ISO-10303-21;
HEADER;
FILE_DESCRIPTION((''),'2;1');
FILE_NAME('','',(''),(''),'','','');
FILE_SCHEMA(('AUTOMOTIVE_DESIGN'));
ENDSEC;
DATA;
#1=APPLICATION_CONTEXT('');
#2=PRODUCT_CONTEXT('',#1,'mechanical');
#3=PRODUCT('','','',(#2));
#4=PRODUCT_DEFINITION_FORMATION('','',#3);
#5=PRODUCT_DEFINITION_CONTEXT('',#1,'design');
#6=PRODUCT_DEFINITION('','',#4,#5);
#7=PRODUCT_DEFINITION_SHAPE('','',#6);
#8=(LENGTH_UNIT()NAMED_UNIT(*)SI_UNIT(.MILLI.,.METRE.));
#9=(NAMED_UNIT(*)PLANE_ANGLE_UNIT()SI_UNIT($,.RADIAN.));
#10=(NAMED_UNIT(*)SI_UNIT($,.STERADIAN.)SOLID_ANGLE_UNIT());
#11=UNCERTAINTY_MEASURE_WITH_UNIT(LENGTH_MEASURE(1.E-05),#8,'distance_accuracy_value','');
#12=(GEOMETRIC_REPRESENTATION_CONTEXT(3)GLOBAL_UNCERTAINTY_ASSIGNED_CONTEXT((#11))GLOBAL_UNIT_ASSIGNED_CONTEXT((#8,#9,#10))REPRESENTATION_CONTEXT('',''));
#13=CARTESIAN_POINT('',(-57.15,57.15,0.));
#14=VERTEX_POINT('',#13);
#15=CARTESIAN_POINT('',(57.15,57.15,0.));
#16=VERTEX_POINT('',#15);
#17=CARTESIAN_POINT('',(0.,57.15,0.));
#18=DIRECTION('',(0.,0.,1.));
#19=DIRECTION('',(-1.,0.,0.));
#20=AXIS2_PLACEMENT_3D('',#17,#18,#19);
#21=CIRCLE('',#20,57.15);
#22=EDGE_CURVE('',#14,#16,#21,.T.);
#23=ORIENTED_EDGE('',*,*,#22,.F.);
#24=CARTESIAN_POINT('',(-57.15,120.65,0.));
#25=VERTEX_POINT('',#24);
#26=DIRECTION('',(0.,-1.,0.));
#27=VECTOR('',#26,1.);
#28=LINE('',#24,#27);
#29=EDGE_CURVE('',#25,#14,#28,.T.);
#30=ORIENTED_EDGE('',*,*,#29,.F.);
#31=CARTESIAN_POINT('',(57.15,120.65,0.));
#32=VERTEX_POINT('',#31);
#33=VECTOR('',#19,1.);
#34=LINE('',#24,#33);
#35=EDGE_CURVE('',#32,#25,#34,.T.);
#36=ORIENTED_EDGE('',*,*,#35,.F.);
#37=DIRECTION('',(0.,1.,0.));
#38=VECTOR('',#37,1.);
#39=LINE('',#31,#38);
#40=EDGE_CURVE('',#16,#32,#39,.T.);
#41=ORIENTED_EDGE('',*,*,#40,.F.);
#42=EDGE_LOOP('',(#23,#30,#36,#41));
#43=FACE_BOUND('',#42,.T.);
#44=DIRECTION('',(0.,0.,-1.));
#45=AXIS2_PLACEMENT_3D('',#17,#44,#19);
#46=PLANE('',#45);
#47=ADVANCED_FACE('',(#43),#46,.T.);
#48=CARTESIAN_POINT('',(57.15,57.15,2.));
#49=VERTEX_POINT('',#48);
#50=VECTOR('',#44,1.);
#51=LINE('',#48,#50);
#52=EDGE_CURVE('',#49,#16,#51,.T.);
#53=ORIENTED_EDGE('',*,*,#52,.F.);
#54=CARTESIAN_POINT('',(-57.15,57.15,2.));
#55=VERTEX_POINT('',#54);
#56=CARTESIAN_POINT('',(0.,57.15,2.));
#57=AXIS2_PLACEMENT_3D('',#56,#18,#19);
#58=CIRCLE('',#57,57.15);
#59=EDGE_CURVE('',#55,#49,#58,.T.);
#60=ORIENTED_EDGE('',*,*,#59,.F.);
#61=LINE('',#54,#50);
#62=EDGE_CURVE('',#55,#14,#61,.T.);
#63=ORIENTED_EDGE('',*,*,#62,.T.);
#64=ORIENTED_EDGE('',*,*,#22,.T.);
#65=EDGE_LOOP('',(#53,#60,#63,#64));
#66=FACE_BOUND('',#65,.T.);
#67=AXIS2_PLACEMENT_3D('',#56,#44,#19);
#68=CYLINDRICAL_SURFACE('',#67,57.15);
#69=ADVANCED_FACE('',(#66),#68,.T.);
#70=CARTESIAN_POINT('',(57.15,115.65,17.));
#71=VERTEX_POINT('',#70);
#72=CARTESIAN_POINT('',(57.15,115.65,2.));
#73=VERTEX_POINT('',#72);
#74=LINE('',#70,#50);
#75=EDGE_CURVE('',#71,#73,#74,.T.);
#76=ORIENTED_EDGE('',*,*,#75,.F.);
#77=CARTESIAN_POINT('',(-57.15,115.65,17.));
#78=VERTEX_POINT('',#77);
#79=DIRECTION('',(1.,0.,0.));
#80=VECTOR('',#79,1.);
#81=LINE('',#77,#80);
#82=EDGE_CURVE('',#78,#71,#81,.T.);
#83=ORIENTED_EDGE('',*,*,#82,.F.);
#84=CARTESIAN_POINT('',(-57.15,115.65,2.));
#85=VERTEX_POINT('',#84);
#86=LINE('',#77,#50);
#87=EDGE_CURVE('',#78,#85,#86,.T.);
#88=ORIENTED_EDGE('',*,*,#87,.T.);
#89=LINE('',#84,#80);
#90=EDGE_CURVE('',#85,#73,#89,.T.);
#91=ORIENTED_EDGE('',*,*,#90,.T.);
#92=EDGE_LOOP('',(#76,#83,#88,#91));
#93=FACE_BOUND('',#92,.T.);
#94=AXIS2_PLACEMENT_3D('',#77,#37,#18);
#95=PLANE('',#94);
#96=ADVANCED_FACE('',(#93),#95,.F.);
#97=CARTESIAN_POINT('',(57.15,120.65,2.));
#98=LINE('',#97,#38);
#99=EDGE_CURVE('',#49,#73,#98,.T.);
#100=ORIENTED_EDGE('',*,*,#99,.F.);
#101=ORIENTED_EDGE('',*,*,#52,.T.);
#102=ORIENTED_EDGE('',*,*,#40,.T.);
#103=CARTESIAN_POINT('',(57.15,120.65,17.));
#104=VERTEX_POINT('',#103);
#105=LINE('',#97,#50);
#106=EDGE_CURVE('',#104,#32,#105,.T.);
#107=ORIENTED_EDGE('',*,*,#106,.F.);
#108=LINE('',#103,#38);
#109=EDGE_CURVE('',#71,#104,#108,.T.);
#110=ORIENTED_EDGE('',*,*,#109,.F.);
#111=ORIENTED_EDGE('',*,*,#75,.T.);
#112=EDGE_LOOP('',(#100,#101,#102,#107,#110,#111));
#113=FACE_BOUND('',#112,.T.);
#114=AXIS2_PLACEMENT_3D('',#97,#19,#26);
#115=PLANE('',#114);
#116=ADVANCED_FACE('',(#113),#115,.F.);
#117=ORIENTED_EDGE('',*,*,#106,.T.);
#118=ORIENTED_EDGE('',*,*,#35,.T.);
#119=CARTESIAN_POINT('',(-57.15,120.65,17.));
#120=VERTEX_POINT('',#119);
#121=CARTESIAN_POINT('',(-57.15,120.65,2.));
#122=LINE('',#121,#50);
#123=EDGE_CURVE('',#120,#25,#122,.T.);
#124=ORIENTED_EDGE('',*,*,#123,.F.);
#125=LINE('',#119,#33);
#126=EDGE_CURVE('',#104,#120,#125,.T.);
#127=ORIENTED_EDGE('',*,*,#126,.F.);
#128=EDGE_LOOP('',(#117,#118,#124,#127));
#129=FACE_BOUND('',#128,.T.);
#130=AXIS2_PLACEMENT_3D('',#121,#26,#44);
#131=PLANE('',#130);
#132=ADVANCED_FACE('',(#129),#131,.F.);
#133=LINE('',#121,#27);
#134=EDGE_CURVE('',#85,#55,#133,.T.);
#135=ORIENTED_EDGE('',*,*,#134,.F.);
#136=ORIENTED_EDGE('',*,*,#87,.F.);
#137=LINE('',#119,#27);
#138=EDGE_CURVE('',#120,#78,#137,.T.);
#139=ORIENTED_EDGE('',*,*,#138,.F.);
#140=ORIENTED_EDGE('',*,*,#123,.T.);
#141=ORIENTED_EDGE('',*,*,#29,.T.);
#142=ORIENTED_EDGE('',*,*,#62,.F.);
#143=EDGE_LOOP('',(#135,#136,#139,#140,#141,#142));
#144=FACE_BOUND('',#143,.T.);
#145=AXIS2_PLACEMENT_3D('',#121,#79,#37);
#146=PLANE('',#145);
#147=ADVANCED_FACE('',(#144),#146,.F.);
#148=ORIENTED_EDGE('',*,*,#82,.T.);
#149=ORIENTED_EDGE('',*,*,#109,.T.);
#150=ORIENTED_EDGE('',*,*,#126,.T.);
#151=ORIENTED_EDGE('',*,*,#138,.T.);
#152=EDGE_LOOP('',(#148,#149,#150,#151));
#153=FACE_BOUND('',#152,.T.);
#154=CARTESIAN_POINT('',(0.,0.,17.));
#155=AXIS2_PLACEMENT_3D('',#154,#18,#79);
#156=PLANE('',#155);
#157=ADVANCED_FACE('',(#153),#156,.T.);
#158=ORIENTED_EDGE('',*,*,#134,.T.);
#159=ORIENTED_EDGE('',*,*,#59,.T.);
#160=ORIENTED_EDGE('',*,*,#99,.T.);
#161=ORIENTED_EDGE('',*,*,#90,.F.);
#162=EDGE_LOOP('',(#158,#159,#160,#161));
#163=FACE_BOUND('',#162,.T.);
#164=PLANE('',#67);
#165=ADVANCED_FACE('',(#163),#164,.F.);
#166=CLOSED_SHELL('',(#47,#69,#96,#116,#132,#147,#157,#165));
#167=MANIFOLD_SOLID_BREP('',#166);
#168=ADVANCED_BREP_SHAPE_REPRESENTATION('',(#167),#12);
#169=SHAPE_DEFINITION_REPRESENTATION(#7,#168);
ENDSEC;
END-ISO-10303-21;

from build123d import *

# Parameters (mm, degrees)
BOSS_EXTRUDE3_DEPTH = 2
SKETCH4_W           = 114.3
SKETCH4_H           = 5
BOSS_EXTRUDE4_DEPTH = 15


with BuildPart() as part:
    # Sketch3 → Boss-Extrude3 (new body)
    with BuildSketch(Plane.XY):
        with BuildLine():
            Line((-57.15, 120.65), (57.15, 120.65))
            Line((57.15, 120.65), (57.15, 57.15))
            ThreePointArc((57.15, 57.15), (0, 0), (-57.15, 57.15))
            Line((-57.15, 57.15), (-57.15, 120.65))
        make_face()
    extrude(amount=BOSS_EXTRUDE3_DEPTH)

    # Sketch4 → Boss-Extrude4 (add)
    with BuildSketch(Plane.XY.offset(2)):
        with Locations((0, 118.15)):
            Rectangle(SKETCH4_W, SKETCH4_H)
    extrude(amount=BOSS_EXTRUDE4_DEPTH)


solid = part.part
